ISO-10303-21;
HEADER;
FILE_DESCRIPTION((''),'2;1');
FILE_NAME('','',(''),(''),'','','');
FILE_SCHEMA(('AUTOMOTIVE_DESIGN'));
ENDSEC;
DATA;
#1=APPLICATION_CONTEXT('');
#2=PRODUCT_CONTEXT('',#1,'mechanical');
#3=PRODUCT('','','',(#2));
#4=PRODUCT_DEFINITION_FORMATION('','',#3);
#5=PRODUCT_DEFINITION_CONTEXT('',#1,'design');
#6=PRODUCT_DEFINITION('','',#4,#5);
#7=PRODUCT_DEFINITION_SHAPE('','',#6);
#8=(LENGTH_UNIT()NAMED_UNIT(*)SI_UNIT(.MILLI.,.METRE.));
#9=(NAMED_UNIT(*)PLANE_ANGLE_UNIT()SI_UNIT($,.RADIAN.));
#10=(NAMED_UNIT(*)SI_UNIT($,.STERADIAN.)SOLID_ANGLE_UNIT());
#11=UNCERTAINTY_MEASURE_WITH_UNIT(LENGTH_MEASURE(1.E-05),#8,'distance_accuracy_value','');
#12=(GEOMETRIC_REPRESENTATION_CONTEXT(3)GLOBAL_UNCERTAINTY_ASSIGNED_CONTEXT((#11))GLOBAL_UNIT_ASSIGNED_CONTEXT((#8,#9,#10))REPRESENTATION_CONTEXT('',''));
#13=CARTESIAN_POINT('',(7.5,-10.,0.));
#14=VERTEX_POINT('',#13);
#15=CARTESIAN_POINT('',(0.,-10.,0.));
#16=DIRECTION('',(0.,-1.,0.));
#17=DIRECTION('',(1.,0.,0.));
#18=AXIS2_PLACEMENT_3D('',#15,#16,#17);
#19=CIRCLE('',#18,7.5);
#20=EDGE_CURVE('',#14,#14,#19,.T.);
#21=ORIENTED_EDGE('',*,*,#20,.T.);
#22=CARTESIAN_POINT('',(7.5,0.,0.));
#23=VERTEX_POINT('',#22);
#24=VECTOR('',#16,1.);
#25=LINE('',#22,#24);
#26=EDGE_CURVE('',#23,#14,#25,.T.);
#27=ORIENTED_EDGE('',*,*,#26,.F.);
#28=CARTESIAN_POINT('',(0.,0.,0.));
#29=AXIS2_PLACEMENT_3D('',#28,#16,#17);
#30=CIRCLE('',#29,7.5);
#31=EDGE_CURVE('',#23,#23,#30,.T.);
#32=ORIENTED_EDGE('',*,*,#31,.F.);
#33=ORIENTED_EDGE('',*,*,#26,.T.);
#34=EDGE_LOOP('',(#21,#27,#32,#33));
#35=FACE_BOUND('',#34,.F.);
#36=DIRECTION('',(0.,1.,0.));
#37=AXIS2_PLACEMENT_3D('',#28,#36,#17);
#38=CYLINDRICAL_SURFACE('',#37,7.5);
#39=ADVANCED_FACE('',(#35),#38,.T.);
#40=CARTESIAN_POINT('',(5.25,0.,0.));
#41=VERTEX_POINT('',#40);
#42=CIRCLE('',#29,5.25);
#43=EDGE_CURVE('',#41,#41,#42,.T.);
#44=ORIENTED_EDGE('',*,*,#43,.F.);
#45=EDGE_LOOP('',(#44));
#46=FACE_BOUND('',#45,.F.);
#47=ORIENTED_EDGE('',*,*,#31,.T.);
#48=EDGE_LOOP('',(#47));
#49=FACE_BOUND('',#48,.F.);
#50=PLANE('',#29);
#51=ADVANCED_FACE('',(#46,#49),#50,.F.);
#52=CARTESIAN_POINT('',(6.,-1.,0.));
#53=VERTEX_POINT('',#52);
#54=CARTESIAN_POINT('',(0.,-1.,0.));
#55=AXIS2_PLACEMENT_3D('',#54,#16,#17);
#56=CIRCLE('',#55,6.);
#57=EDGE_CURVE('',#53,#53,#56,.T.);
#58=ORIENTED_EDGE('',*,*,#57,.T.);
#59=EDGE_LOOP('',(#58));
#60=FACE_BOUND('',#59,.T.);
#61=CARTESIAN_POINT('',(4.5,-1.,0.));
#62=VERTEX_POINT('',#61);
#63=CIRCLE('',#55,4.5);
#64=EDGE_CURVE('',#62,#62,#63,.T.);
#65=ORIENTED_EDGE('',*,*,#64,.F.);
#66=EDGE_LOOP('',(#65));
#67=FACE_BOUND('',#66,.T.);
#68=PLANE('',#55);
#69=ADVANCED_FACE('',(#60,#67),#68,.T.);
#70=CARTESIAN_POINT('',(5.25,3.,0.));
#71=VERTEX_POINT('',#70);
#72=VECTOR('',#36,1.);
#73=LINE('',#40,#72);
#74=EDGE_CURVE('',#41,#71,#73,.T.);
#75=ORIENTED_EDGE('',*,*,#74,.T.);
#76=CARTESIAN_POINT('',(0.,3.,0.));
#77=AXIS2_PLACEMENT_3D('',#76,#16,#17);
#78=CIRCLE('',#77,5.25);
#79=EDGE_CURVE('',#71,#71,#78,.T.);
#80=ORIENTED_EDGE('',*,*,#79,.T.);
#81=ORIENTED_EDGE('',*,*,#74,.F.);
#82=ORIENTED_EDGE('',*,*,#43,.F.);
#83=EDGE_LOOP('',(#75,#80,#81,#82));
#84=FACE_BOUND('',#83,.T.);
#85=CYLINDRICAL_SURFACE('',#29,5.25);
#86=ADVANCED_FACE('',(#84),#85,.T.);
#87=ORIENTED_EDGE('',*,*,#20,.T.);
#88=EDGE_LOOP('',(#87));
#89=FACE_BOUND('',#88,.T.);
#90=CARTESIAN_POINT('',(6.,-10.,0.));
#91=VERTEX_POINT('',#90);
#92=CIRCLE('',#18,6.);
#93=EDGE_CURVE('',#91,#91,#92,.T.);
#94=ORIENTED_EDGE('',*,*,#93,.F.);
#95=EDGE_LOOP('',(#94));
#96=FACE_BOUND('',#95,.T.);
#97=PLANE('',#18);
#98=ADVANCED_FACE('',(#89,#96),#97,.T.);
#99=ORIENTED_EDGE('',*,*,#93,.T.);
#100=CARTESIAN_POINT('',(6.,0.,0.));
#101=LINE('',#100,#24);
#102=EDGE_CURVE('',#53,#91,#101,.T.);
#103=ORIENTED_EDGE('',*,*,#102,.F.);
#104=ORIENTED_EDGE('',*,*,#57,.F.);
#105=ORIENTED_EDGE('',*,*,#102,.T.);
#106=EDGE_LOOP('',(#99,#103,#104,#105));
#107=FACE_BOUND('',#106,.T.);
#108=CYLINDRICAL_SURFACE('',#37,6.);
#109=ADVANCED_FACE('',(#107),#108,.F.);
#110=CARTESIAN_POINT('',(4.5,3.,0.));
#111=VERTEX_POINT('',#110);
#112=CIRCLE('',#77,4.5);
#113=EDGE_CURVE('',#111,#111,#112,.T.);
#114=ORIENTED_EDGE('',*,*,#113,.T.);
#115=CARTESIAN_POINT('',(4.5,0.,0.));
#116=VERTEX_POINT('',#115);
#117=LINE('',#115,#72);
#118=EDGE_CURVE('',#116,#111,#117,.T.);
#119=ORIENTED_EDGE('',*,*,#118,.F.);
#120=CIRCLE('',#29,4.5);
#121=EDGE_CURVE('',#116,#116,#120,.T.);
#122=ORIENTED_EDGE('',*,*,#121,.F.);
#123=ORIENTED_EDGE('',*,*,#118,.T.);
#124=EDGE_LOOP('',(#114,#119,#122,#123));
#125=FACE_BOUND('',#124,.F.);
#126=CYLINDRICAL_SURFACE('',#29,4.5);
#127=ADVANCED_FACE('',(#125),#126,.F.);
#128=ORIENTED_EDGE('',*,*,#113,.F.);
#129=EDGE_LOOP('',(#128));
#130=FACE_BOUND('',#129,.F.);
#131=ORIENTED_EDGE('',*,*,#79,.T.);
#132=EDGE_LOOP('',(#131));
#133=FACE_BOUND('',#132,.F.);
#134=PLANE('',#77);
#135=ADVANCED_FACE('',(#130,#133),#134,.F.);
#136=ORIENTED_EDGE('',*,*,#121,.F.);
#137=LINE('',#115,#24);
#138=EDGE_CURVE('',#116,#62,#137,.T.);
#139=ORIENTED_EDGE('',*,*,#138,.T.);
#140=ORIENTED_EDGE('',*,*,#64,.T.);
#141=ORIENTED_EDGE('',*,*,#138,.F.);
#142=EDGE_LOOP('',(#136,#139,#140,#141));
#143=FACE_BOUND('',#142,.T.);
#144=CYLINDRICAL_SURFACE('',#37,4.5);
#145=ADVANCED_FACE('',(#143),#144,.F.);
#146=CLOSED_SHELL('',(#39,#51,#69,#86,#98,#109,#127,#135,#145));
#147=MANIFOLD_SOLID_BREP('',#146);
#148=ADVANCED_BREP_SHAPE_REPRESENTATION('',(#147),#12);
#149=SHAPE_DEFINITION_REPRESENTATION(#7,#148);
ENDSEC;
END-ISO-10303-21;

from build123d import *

# Parameters (mm, degrees)
F0_R          = 7.5
F0_R_2        = 6
F1_DEPTH      = 10
F0_R_3        = 5.25
F2_DEPTH      = 1
F0_R_4        = 4.5
F3_DEPTH      = 1
F3_DEPTH_BACK = 3


with BuildPart() as f1:
    # F0 (on Front) → F1 (new body)
    with BuildSketch(Plane.XZ):
        Circle(F0_R)
        Circle(F0_R_2, mode=Mode.SUBTRACT)
    extrude(amount=F1_DEPTH)

    # F0 (on Front) → F2 (join)
    with BuildSketch(Plane.XZ):
        Circle(F0_R_2)
        Circle(F0_R_3, mode=Mode.SUBTRACT)
    extrude(amount=F2_DEPTH)

    # F0 (on Front) → F3 (join, two sides)
    with BuildSketch(Plane.XZ) as f3_sk:
        Circle(F0_R_3)
        Circle(F0_R_4, mode=Mode.SUBTRACT)
    extrude(amount=F3_DEPTH)
    extrude(f3_sk.sketch, amount=-F3_DEPTH_BACK)


solid = f1.part
